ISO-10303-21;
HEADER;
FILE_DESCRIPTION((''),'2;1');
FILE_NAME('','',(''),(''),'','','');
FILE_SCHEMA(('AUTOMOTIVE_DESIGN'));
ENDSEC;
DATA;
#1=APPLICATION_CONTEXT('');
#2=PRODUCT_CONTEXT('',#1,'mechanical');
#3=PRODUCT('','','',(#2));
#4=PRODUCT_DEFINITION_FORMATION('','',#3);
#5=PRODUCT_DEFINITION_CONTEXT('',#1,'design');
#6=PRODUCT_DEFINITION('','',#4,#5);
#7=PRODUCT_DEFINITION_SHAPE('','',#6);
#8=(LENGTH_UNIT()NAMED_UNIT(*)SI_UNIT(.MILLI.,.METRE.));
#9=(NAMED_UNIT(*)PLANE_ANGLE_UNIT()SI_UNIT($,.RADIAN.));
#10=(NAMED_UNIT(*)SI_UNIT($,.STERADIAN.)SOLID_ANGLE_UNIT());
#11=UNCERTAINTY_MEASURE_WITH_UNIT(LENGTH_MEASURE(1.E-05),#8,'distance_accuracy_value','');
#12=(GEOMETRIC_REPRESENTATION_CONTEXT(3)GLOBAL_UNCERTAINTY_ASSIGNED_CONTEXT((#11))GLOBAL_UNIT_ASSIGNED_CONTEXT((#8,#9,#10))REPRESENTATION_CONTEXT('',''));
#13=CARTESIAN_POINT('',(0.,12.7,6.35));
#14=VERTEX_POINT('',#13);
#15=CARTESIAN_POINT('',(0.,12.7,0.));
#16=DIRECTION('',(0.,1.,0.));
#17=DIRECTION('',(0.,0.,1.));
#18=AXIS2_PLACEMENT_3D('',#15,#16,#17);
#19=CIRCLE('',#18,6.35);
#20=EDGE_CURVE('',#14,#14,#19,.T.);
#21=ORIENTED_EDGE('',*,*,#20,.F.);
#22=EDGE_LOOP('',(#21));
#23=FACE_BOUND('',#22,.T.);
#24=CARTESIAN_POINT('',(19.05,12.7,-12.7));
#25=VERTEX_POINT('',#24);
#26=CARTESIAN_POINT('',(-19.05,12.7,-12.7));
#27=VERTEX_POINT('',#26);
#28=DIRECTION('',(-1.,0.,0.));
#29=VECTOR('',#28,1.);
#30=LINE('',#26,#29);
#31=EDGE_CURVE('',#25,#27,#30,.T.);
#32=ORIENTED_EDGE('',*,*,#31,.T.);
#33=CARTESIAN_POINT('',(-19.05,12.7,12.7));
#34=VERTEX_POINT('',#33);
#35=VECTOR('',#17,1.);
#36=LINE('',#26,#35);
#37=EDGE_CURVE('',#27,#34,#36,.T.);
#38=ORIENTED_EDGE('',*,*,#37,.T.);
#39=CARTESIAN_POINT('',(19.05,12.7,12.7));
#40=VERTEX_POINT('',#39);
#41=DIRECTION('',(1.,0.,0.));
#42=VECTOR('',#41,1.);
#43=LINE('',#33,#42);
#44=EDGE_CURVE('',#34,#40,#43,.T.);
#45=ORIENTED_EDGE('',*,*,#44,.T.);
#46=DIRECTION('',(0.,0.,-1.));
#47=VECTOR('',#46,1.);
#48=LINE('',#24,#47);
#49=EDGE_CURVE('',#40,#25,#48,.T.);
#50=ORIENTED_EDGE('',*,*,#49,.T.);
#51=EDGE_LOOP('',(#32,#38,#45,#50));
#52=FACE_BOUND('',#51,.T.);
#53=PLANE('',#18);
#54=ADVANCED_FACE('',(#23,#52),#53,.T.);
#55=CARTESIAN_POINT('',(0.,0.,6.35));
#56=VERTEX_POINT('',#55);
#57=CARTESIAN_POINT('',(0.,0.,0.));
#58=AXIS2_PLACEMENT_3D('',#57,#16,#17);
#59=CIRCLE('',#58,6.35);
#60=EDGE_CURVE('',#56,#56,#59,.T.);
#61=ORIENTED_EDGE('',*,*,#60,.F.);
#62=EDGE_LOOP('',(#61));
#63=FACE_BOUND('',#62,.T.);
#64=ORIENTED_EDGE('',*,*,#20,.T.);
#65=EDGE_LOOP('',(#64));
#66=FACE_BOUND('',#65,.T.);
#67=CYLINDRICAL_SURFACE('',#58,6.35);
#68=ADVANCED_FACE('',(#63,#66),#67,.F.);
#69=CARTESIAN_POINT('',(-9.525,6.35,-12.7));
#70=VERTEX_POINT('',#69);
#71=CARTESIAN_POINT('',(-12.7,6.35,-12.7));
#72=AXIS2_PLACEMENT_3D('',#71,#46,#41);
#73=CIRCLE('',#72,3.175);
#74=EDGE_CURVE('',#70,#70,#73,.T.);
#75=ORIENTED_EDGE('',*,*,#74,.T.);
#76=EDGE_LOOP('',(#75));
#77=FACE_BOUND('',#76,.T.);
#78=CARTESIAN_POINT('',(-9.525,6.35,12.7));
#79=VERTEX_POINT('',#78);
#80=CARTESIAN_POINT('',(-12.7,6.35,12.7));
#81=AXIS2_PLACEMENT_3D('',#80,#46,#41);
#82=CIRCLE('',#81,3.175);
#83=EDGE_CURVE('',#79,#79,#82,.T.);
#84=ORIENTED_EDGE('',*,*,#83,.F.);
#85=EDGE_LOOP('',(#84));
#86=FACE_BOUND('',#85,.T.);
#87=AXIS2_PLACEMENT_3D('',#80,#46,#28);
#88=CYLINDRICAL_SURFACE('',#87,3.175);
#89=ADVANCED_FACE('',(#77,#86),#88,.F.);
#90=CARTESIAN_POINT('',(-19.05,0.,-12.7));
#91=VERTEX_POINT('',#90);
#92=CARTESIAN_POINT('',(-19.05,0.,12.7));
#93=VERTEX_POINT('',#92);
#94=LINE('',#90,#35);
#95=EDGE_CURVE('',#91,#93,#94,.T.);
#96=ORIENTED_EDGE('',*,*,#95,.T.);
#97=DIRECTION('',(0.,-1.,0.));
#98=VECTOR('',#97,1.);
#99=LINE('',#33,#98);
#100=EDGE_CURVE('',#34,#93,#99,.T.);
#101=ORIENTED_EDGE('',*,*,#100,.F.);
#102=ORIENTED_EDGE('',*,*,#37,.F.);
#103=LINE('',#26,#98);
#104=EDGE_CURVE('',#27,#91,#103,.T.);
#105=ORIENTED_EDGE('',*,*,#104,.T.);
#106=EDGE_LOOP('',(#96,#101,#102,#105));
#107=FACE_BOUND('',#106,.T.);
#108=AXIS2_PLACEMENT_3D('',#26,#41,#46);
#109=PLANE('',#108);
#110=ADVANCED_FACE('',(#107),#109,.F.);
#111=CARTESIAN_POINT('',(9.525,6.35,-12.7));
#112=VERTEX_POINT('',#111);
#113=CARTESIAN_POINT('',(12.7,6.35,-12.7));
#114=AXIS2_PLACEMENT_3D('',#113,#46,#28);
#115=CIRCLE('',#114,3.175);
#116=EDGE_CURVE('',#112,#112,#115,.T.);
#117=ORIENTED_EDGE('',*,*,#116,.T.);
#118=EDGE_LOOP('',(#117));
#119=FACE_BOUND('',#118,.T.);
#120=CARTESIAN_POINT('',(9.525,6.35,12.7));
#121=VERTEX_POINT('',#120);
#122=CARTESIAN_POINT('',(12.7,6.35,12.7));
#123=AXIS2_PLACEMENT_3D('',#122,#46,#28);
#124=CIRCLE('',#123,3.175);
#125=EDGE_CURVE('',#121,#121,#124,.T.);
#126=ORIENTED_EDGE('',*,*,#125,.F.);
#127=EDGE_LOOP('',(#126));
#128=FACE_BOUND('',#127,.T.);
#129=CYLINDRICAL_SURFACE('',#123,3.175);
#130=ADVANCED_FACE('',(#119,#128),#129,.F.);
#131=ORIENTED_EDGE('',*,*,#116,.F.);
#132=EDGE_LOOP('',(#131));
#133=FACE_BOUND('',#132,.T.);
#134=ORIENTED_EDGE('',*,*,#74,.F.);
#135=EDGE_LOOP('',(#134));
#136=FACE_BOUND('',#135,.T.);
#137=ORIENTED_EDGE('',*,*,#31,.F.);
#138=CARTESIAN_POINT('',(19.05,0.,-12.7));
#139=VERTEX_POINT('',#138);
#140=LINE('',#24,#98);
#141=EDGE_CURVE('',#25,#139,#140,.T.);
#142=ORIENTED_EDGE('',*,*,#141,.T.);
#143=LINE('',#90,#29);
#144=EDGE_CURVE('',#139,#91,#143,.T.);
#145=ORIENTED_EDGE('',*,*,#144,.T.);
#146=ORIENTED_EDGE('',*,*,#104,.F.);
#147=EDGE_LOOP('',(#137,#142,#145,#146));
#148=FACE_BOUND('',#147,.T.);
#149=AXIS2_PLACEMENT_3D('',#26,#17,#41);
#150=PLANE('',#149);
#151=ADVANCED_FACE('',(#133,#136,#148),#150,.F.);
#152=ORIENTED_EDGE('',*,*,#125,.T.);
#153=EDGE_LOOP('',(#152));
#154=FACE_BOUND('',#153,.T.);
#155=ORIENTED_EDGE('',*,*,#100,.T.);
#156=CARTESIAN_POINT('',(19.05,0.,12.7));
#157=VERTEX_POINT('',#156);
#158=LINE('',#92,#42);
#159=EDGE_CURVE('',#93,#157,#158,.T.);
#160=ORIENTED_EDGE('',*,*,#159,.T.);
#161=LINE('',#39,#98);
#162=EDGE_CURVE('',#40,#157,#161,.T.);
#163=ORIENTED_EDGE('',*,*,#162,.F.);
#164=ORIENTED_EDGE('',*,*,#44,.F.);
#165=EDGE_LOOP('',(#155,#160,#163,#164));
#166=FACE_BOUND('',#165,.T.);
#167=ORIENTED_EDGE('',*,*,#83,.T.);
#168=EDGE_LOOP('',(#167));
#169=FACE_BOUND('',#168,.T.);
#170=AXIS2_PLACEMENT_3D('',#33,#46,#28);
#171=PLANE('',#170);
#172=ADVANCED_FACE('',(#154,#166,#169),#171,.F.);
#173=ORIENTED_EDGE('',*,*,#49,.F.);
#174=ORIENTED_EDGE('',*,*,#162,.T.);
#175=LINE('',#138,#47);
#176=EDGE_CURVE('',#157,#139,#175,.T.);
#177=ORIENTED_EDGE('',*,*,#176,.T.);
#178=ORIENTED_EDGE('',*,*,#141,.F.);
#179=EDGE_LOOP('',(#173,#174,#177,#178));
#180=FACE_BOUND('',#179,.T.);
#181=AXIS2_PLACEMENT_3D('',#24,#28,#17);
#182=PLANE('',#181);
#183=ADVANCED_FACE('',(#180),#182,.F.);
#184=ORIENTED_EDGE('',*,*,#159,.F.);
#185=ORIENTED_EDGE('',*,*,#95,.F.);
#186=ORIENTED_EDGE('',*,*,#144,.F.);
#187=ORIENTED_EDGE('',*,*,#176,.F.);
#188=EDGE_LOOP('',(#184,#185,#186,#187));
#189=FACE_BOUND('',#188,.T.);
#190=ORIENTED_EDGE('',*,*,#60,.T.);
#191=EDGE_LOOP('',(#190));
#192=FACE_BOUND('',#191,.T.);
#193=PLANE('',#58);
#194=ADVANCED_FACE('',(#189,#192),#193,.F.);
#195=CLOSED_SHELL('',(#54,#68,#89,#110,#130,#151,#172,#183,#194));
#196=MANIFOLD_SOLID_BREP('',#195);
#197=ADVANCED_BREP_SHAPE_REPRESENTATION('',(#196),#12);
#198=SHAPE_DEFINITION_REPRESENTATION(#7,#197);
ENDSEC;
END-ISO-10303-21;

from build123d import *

# Parameters (mm, degrees)
SKETCH1_W           = 38.1
SKETCH1_H           = 25.4
BOSS_EXTRUDE1_DEPTH = 12.7
SKETCH2_R           = 6.35
CUT_EXTRUDE1_DEPTH  = 27.181720723
SKETCH3_R           = 3.175
CUT_EXTRUDE2_DEPTH  = 35.195796525


with BuildPart() as part:
    # Sketch1 → Boss-Extrude1 (new body)
    with BuildSketch(Plane(origin=(0, 0, 0), x_dir=(1, 0, 0), z_dir=(0, 1, 0))):
        Rectangle(SKETCH1_W, SKETCH1_H)
    extrude(amount=BOSS_EXTRUDE1_DEPTH)

    # Sketch2 → Cut-Extrude1 (cut, through all)
    with BuildSketch(Plane(origin=(0, 12.7, 0), x_dir=(1, 0, 0), z_dir=(0, 1, 0))):
        with Locations(Location((0, 0, 0), (0, 0, 270))):
            Circle(SKETCH2_R)
    extrude(amount=-CUT_EXTRUDE1_DEPTH, mode=Mode.SUBTRACT)

    # Sketch3 → Cut-Extrude2 (cut, through all)
    with BuildSketch(Plane(origin=(0, 0, -12.7), x_dir=(-1, 0, 0), z_dir=(0, 0, -1))):
        with Locations((-12.7, 6.35)):
            Circle(SKETCH3_R)
        with Locations(Location((12.7, 6.35, 0), (0, 0, 180))):
            Circle(SKETCH3_R)
    extrude(amount=-CUT_EXTRUDE2_DEPTH, mode=Mode.SUBTRACT)


solid = part.part
